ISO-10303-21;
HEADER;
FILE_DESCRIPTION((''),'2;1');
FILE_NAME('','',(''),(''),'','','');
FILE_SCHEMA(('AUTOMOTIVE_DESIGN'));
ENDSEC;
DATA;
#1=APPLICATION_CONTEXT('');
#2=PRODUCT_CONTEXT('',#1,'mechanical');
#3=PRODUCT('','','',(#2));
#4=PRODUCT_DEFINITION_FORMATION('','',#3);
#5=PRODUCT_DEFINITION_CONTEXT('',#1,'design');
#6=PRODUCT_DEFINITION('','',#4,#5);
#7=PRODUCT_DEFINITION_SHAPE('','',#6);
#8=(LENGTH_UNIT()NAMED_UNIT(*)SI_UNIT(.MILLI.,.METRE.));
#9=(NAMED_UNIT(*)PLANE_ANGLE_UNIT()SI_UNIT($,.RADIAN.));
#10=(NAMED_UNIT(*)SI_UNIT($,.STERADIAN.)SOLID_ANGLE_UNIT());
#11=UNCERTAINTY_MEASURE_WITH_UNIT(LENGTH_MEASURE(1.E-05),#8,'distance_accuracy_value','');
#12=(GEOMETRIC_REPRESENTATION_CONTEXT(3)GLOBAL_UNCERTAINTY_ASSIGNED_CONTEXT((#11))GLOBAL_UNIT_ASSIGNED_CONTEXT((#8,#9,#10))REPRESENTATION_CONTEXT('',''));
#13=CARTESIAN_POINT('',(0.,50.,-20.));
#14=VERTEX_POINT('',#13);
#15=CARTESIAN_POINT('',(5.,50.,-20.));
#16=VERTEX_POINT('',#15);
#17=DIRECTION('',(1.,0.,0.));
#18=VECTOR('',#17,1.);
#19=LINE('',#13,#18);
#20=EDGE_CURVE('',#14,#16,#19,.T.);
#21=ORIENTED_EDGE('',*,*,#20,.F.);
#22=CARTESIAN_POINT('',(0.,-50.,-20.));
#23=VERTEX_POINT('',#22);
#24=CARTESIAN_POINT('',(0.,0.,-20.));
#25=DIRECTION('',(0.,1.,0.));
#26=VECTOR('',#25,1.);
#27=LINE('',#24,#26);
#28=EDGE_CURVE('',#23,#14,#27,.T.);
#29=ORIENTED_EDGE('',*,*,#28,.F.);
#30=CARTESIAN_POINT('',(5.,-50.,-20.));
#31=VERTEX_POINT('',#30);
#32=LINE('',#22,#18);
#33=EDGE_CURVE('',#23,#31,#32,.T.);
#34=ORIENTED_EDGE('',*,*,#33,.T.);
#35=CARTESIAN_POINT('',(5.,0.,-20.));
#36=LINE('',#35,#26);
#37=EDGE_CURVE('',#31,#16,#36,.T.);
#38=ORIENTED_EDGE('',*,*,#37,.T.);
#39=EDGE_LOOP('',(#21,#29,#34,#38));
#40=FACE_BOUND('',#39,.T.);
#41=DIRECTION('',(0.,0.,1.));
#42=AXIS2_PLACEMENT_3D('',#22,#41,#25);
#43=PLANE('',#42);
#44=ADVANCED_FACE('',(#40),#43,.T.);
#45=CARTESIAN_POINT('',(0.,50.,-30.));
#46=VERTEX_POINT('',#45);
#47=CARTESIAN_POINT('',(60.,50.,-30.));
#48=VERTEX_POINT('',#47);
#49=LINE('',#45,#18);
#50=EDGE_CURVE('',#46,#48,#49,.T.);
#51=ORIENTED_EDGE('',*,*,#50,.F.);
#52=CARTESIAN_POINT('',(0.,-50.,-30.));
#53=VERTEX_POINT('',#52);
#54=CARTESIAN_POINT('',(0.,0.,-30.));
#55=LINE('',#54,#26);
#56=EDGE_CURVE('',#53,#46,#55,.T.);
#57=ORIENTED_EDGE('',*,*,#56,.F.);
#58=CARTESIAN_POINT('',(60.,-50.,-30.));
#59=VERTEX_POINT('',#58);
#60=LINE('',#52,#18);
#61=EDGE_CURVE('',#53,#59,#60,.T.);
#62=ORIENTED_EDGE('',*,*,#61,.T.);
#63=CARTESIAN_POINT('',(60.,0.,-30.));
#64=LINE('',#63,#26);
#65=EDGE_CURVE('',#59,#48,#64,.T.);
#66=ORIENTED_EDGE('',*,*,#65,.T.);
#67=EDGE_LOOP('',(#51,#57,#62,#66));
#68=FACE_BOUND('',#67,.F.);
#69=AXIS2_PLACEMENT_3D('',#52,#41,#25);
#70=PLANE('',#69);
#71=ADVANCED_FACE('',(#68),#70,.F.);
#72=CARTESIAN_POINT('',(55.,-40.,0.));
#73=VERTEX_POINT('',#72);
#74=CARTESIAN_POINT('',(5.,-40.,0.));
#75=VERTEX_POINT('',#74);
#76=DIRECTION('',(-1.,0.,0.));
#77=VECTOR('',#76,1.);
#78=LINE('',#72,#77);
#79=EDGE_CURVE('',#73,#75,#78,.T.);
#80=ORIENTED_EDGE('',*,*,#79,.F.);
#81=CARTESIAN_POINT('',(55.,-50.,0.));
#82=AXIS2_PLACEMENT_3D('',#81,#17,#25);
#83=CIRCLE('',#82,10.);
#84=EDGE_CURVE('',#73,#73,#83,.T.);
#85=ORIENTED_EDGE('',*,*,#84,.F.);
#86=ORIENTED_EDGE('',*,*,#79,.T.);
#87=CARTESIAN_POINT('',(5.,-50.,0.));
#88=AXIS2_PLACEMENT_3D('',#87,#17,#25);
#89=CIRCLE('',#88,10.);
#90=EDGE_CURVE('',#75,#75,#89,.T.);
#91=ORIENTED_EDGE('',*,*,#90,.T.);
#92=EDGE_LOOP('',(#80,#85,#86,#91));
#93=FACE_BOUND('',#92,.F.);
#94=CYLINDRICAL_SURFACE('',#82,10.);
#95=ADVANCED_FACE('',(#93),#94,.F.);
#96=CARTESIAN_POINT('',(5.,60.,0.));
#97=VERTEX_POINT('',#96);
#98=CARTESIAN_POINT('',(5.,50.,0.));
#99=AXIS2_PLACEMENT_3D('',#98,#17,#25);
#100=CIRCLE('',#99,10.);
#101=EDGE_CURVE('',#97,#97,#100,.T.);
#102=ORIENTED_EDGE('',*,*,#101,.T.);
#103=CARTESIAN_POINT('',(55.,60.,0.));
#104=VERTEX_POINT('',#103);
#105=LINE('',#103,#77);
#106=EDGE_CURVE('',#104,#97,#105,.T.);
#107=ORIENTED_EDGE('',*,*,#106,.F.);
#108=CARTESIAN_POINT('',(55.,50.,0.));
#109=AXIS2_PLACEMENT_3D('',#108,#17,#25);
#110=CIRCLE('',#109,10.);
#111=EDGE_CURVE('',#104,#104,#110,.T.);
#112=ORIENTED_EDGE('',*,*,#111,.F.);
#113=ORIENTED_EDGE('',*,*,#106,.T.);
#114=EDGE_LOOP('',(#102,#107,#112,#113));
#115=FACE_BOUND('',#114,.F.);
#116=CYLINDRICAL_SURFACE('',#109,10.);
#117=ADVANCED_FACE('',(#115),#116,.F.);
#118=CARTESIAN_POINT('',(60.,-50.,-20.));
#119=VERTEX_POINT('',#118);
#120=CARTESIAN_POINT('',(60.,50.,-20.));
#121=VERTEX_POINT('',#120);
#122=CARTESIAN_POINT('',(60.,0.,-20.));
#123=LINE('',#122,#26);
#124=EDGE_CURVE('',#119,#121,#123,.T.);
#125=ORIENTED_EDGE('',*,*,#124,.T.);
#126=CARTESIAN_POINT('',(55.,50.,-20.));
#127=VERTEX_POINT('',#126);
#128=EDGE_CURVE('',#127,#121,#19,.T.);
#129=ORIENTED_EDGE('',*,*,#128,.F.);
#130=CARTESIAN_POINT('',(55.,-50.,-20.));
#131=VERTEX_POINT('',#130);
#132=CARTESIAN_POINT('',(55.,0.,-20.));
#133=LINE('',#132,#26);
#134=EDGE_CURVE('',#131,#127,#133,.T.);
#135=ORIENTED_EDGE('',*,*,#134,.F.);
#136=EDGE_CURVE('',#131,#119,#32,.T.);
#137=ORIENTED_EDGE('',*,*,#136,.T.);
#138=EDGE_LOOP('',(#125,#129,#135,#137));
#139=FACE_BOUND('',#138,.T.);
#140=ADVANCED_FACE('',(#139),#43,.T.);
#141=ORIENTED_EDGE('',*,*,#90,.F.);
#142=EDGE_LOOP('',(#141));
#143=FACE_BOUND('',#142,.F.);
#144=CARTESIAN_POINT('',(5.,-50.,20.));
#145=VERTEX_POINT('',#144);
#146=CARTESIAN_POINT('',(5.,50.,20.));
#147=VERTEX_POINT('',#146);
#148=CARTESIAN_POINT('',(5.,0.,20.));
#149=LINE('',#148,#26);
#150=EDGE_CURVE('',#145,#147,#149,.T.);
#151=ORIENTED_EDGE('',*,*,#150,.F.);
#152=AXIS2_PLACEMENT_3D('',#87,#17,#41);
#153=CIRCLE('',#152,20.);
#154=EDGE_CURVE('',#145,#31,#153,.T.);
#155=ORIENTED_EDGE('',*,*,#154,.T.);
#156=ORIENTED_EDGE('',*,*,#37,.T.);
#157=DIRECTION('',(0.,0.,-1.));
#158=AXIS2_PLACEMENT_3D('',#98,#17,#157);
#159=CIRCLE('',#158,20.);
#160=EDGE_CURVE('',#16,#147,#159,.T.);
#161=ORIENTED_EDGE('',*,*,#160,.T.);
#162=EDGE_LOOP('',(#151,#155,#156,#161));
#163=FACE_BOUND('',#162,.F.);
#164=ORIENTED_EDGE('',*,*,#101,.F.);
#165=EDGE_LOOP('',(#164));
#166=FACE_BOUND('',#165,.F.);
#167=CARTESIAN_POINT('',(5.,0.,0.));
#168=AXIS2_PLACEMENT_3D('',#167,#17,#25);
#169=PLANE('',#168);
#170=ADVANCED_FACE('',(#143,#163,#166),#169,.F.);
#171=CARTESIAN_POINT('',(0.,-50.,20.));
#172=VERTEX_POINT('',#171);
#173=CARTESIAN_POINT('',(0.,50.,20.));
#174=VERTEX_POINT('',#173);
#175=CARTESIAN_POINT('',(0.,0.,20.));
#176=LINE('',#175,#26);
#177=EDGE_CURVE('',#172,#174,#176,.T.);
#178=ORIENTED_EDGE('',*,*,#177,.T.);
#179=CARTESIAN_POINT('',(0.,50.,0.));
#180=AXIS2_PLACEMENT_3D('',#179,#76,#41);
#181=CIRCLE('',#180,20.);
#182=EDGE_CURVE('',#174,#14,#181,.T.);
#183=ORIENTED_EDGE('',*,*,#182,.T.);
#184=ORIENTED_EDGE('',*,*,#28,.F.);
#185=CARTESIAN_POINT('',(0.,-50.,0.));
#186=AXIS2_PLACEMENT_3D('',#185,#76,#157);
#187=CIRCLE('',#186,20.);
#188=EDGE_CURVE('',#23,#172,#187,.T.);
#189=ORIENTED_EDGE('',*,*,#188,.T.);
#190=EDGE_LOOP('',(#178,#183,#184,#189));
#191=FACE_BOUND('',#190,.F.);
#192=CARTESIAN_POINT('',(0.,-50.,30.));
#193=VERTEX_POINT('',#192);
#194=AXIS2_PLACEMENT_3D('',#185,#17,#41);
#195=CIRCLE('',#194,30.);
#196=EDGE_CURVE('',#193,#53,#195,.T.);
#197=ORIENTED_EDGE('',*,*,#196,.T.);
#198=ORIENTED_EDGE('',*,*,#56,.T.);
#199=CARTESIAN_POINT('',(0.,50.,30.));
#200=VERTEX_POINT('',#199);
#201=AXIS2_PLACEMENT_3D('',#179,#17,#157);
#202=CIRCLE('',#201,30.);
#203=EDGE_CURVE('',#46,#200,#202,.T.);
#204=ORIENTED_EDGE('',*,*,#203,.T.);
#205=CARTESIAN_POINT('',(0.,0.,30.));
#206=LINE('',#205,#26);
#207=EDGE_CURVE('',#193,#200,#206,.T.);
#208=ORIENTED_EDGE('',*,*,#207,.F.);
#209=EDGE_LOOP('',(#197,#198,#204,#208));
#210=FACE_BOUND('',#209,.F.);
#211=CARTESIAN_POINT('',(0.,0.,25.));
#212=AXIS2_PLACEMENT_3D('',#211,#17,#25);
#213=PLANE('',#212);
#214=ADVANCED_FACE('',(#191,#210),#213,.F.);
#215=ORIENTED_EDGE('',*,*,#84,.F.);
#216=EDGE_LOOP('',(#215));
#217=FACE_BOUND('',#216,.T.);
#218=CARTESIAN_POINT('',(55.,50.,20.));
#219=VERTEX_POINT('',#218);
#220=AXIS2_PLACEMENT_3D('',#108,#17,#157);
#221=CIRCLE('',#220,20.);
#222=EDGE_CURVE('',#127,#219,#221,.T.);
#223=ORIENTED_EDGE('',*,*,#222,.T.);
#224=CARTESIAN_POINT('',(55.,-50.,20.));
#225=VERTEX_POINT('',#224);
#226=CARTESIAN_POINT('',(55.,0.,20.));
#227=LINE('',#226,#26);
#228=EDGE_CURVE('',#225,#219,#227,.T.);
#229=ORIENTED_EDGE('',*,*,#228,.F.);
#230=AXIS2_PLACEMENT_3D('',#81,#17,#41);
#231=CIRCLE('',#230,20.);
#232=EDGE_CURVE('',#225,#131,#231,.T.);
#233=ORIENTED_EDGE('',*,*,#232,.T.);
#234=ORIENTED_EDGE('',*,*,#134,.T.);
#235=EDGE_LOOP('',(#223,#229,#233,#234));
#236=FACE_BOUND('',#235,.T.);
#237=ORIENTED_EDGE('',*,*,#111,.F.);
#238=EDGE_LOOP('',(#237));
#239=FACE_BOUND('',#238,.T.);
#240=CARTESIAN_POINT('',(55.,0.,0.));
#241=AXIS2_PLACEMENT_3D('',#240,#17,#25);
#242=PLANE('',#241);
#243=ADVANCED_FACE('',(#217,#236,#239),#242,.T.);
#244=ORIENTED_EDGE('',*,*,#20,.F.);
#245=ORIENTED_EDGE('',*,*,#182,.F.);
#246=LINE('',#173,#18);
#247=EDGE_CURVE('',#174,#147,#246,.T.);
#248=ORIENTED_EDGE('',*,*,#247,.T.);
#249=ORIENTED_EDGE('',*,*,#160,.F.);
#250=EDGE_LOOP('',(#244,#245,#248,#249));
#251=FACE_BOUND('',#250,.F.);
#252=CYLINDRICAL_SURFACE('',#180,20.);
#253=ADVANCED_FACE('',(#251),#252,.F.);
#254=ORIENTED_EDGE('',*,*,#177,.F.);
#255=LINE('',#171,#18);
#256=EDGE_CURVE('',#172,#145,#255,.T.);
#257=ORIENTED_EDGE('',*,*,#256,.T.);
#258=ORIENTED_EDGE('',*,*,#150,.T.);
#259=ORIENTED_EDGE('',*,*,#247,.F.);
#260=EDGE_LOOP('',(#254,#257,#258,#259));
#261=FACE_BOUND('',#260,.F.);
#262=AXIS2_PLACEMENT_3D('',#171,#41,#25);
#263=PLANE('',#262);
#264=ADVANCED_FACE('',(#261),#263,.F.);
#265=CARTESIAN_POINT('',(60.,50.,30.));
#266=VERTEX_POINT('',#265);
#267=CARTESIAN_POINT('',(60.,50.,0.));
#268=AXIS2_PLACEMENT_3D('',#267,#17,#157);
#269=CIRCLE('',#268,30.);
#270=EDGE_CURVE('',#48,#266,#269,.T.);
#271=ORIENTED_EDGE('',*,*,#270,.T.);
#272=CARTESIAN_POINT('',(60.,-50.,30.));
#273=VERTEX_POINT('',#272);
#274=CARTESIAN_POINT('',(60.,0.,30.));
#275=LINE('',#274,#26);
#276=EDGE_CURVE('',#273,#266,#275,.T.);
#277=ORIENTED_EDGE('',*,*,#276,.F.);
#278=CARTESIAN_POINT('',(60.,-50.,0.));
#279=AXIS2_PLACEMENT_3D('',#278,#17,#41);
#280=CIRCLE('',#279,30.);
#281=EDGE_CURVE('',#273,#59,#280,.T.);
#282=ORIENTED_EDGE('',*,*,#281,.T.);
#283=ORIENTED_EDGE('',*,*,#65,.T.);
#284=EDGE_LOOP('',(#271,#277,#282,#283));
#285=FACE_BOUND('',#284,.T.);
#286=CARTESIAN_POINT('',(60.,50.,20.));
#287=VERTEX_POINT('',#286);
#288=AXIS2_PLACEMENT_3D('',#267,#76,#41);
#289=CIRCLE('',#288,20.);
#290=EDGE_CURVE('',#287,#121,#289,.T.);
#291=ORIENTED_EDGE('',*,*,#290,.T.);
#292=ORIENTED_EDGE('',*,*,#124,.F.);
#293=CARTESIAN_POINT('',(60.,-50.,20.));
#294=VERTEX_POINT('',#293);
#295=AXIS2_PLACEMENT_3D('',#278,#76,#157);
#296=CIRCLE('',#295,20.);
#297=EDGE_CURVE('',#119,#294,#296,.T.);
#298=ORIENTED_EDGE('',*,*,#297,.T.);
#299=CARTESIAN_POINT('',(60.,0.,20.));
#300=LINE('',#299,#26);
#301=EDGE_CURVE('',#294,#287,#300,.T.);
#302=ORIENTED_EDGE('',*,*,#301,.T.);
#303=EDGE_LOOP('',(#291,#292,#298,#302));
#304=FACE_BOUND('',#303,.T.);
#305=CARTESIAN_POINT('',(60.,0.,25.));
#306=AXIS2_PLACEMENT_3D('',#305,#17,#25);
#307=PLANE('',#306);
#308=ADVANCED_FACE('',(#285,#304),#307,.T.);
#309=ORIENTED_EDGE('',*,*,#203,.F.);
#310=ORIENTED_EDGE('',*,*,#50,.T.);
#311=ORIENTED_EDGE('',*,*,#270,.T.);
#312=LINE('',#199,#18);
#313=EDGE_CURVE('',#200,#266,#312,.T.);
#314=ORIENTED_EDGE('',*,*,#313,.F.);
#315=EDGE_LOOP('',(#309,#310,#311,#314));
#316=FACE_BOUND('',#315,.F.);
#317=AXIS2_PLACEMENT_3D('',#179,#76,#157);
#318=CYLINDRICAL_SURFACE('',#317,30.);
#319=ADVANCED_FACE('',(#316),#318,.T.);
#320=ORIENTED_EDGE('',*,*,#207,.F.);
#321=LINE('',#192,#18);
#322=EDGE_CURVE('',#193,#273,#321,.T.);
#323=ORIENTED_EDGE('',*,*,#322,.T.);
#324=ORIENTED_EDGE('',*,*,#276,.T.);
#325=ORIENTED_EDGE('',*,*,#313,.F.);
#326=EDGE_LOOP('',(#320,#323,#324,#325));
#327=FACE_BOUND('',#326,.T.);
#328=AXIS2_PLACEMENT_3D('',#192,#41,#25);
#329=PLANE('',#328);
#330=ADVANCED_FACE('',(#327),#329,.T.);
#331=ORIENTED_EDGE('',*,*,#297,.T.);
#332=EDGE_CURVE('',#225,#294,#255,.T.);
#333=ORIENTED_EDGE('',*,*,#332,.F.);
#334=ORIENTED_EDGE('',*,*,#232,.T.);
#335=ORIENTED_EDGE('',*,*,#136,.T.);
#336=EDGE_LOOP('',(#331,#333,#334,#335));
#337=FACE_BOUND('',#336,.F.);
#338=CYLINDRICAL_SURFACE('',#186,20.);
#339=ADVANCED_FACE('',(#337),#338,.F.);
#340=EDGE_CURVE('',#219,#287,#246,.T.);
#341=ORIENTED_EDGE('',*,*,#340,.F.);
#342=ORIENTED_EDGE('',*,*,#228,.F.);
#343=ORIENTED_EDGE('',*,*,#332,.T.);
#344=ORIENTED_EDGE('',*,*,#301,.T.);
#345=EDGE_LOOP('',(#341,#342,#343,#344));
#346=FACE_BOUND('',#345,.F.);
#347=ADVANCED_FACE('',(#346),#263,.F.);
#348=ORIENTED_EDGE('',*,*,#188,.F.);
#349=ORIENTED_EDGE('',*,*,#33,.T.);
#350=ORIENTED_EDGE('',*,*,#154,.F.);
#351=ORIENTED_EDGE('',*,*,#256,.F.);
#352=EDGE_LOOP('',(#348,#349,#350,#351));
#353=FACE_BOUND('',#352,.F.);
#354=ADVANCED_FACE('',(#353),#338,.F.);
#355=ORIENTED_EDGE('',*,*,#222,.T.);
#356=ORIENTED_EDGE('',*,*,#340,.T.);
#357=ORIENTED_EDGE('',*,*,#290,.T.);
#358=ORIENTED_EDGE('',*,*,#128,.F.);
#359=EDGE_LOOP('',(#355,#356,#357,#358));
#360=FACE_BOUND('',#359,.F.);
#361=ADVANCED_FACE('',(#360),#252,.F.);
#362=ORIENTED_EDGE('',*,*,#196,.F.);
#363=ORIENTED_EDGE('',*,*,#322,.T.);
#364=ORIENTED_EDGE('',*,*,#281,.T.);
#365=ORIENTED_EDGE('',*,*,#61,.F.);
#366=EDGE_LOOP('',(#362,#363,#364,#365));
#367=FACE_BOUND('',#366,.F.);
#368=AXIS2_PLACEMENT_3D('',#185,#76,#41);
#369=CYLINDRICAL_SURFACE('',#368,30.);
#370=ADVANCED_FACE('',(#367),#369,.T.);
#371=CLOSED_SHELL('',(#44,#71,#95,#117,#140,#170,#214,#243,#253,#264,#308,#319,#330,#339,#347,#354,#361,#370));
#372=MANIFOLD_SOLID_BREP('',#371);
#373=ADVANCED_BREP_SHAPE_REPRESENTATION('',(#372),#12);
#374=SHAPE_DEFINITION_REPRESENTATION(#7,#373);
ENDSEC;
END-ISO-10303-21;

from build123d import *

# Parameters (mm, degrees)
F0_W     = 100
F0_H     = 10
F1_DEPTH = 60
F2_START = 5
F0_H_2   = 40
F2_DEPTH = 50
F3_R     = 10
F4_DEPTH = 55.001


with BuildPart() as f1:
    # F0 (on Right) → F1 (new body)
    with BuildSketch(Plane.YZ):
        with Locations((0, 25)):
            Rectangle(F0_W, F0_H)
        with BuildLine():
            Line((-50, 20), (-50, 30))
            ThreePointArc((-50, 30), (-80, 0), (-50, -30))
            Line((-50, -30), (-50, -20))
            ThreePointArc((-50, -20), (-70, 0), (-50, 20))
        make_face()
        with BuildLine():
            ThreePointArc((50, -30), (80, 0), (50, 30))
            Line((50, 30), (50, 20))
            ThreePointArc((50, 20), (70, 0), (50, -20))
            Line((50, -20), (50, -30))
        make_face()
        with Locations((0, -25)):
            Rectangle(F0_W, F0_H)
    extrude(amount=F1_DEPTH)

    # F0 (on Right) → F2 (join)
    with BuildSketch(Plane.YZ.offset(F2_START)):
        Rectangle(F0_W, F0_H_2)
        with BuildLine():
            ThreePointArc((50, -20), (70, 0), (50, 20))
            Line((50, 20), (50, -20))
        make_face()
        with BuildLine():
            Line((-50, -20), (-50, 20))
            ThreePointArc((-50, 20), (-70, 0), (-50, -20))
        make_face()
    extrude(amount=F2_DEPTH)

    # F3 (on face) → F4 (cut, through all)
    with BuildSketch(Plane.YZ.offset(55)):
        with Locations((-50, 0)):
            Circle(F3_R)
        with Locations((50, 0)):
            Circle(F3_R)
    extrude(amount=-F4_DEPTH, mode=Mode.SUBTRACT)


solid = f1.part
